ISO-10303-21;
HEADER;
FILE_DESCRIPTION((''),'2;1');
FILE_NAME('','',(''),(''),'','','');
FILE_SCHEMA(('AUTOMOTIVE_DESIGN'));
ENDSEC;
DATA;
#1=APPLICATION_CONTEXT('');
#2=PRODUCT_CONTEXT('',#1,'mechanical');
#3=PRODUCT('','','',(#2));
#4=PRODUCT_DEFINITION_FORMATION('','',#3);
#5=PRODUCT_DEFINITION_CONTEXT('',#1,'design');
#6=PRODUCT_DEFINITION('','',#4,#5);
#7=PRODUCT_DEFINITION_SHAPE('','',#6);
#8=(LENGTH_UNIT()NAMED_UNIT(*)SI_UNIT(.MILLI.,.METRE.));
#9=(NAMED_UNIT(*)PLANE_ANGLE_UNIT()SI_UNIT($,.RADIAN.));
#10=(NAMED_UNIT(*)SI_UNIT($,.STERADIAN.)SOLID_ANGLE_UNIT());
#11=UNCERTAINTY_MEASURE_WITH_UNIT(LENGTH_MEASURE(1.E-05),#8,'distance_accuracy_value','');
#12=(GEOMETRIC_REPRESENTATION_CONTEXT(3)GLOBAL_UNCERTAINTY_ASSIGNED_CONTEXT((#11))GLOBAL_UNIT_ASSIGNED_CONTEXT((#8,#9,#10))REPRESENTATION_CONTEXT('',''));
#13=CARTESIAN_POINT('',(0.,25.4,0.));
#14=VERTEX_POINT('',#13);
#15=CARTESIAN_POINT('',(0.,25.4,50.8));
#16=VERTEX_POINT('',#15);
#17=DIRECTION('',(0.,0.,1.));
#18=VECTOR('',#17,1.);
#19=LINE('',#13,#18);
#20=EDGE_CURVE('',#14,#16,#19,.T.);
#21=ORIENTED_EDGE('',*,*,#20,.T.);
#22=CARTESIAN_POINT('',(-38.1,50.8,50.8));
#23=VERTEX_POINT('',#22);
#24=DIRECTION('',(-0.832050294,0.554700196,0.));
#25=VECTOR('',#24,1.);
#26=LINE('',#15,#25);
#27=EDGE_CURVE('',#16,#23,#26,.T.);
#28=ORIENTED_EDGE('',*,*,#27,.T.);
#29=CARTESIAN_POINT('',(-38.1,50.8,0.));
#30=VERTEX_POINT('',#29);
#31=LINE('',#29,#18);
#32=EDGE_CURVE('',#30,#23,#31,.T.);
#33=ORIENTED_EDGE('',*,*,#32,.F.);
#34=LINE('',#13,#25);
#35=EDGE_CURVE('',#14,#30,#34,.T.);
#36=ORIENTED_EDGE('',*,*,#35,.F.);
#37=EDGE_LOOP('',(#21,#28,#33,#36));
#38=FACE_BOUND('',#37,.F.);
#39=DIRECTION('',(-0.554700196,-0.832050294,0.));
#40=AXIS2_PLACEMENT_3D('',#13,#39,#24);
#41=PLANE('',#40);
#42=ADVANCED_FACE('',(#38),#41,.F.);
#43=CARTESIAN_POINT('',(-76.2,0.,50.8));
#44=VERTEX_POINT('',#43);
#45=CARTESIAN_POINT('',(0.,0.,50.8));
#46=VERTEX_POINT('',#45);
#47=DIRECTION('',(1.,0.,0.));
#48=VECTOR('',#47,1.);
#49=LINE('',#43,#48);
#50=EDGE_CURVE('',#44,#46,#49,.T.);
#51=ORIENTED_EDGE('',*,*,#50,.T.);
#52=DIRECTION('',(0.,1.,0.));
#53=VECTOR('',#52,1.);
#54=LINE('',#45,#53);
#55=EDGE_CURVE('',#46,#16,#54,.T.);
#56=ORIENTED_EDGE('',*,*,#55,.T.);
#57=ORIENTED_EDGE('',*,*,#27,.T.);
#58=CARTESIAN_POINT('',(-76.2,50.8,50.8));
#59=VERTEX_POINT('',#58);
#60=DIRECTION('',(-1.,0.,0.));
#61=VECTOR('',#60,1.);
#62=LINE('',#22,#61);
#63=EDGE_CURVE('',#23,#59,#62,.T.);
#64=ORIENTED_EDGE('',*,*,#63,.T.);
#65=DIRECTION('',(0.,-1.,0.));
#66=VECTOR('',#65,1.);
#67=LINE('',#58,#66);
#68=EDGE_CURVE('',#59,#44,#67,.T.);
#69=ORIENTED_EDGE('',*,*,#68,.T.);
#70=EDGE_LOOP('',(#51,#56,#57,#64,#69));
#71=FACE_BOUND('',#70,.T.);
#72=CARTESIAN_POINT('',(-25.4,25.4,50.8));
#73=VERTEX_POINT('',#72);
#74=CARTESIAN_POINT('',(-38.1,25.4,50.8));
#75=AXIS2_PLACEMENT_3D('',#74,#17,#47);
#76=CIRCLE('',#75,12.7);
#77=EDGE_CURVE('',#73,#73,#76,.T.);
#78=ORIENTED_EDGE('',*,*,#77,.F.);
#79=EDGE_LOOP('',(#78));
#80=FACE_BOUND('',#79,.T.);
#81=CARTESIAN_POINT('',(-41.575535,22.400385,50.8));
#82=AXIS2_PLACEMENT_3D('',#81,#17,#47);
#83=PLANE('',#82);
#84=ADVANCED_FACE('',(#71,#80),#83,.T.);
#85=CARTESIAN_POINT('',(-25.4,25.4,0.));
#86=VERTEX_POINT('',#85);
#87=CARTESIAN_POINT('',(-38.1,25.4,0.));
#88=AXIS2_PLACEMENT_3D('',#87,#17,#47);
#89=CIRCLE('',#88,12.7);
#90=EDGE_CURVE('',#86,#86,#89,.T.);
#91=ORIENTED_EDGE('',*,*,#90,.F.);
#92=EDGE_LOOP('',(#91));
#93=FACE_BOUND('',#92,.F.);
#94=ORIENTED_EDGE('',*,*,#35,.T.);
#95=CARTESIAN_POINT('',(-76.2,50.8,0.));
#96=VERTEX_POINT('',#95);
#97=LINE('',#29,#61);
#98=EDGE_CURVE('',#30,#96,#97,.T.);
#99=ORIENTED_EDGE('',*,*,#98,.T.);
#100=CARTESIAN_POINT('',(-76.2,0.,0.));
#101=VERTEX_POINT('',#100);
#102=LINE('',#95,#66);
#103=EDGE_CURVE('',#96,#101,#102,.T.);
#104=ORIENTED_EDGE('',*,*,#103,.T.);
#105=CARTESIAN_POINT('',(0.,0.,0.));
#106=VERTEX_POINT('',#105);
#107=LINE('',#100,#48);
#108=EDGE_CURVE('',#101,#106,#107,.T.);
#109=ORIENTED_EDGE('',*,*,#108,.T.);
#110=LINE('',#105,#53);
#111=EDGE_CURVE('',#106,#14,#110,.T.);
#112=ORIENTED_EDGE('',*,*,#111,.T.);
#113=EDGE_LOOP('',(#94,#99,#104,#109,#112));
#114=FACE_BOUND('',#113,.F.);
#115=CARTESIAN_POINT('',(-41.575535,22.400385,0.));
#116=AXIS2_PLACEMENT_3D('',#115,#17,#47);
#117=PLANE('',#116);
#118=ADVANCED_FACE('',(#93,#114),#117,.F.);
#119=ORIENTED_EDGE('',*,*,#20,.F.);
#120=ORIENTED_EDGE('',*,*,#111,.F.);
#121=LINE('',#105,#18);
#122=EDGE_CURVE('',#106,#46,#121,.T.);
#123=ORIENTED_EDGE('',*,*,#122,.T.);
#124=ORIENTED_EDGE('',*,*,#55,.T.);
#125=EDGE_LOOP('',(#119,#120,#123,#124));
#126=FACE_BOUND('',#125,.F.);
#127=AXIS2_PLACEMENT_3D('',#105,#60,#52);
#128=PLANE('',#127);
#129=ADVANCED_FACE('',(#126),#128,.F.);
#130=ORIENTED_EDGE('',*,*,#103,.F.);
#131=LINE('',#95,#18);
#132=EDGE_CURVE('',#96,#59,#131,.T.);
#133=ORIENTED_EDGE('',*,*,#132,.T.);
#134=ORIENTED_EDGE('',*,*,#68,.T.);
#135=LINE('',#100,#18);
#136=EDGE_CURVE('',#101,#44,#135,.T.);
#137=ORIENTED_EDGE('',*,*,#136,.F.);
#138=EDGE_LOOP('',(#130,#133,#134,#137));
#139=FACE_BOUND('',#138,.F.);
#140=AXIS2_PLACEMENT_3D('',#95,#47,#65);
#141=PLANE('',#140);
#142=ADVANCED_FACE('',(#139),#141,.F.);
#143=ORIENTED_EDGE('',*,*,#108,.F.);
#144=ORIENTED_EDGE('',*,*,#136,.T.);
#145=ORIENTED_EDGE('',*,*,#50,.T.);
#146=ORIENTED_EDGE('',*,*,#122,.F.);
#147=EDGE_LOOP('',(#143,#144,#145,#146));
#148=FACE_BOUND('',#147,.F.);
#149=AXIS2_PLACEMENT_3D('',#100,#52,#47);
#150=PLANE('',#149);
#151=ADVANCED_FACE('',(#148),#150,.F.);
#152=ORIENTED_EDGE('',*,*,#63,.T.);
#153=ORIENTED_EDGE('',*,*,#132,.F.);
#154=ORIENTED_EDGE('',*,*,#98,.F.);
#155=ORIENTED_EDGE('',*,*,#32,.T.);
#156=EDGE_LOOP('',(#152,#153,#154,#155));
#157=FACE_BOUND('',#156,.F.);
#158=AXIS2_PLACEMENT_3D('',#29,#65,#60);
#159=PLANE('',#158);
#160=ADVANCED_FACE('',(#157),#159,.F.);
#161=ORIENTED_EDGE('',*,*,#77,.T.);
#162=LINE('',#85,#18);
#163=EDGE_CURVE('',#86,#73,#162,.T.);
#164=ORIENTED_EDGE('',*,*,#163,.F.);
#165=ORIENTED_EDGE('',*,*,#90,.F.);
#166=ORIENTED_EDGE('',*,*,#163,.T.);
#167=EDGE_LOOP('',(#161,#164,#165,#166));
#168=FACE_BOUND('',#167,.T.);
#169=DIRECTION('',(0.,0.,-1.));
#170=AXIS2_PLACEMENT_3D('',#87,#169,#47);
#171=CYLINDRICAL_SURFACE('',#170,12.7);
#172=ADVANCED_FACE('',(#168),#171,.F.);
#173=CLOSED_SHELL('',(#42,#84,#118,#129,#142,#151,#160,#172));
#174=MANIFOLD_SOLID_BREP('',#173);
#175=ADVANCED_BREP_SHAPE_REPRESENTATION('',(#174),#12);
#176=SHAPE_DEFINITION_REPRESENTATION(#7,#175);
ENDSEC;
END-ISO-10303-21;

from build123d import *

# Parameters (mm, degrees)
F0_R     = 12.7
F1_DEPTH = 50.8


with BuildPart() as f1:
    # F0 (on Top) → F1 (new body)
    with BuildSketch(Plane.XY):
        Polygon((-76.2, 0), (0, 0), (0, 25.4), (-38.1, 50.8), (-76.2, 50.8), align=None)
        with Locations((-38.1, 25.4)):
            Circle(F0_R, mode=Mode.SUBTRACT)
    extrude(amount=F1_DEPTH)


solid = f1.part
